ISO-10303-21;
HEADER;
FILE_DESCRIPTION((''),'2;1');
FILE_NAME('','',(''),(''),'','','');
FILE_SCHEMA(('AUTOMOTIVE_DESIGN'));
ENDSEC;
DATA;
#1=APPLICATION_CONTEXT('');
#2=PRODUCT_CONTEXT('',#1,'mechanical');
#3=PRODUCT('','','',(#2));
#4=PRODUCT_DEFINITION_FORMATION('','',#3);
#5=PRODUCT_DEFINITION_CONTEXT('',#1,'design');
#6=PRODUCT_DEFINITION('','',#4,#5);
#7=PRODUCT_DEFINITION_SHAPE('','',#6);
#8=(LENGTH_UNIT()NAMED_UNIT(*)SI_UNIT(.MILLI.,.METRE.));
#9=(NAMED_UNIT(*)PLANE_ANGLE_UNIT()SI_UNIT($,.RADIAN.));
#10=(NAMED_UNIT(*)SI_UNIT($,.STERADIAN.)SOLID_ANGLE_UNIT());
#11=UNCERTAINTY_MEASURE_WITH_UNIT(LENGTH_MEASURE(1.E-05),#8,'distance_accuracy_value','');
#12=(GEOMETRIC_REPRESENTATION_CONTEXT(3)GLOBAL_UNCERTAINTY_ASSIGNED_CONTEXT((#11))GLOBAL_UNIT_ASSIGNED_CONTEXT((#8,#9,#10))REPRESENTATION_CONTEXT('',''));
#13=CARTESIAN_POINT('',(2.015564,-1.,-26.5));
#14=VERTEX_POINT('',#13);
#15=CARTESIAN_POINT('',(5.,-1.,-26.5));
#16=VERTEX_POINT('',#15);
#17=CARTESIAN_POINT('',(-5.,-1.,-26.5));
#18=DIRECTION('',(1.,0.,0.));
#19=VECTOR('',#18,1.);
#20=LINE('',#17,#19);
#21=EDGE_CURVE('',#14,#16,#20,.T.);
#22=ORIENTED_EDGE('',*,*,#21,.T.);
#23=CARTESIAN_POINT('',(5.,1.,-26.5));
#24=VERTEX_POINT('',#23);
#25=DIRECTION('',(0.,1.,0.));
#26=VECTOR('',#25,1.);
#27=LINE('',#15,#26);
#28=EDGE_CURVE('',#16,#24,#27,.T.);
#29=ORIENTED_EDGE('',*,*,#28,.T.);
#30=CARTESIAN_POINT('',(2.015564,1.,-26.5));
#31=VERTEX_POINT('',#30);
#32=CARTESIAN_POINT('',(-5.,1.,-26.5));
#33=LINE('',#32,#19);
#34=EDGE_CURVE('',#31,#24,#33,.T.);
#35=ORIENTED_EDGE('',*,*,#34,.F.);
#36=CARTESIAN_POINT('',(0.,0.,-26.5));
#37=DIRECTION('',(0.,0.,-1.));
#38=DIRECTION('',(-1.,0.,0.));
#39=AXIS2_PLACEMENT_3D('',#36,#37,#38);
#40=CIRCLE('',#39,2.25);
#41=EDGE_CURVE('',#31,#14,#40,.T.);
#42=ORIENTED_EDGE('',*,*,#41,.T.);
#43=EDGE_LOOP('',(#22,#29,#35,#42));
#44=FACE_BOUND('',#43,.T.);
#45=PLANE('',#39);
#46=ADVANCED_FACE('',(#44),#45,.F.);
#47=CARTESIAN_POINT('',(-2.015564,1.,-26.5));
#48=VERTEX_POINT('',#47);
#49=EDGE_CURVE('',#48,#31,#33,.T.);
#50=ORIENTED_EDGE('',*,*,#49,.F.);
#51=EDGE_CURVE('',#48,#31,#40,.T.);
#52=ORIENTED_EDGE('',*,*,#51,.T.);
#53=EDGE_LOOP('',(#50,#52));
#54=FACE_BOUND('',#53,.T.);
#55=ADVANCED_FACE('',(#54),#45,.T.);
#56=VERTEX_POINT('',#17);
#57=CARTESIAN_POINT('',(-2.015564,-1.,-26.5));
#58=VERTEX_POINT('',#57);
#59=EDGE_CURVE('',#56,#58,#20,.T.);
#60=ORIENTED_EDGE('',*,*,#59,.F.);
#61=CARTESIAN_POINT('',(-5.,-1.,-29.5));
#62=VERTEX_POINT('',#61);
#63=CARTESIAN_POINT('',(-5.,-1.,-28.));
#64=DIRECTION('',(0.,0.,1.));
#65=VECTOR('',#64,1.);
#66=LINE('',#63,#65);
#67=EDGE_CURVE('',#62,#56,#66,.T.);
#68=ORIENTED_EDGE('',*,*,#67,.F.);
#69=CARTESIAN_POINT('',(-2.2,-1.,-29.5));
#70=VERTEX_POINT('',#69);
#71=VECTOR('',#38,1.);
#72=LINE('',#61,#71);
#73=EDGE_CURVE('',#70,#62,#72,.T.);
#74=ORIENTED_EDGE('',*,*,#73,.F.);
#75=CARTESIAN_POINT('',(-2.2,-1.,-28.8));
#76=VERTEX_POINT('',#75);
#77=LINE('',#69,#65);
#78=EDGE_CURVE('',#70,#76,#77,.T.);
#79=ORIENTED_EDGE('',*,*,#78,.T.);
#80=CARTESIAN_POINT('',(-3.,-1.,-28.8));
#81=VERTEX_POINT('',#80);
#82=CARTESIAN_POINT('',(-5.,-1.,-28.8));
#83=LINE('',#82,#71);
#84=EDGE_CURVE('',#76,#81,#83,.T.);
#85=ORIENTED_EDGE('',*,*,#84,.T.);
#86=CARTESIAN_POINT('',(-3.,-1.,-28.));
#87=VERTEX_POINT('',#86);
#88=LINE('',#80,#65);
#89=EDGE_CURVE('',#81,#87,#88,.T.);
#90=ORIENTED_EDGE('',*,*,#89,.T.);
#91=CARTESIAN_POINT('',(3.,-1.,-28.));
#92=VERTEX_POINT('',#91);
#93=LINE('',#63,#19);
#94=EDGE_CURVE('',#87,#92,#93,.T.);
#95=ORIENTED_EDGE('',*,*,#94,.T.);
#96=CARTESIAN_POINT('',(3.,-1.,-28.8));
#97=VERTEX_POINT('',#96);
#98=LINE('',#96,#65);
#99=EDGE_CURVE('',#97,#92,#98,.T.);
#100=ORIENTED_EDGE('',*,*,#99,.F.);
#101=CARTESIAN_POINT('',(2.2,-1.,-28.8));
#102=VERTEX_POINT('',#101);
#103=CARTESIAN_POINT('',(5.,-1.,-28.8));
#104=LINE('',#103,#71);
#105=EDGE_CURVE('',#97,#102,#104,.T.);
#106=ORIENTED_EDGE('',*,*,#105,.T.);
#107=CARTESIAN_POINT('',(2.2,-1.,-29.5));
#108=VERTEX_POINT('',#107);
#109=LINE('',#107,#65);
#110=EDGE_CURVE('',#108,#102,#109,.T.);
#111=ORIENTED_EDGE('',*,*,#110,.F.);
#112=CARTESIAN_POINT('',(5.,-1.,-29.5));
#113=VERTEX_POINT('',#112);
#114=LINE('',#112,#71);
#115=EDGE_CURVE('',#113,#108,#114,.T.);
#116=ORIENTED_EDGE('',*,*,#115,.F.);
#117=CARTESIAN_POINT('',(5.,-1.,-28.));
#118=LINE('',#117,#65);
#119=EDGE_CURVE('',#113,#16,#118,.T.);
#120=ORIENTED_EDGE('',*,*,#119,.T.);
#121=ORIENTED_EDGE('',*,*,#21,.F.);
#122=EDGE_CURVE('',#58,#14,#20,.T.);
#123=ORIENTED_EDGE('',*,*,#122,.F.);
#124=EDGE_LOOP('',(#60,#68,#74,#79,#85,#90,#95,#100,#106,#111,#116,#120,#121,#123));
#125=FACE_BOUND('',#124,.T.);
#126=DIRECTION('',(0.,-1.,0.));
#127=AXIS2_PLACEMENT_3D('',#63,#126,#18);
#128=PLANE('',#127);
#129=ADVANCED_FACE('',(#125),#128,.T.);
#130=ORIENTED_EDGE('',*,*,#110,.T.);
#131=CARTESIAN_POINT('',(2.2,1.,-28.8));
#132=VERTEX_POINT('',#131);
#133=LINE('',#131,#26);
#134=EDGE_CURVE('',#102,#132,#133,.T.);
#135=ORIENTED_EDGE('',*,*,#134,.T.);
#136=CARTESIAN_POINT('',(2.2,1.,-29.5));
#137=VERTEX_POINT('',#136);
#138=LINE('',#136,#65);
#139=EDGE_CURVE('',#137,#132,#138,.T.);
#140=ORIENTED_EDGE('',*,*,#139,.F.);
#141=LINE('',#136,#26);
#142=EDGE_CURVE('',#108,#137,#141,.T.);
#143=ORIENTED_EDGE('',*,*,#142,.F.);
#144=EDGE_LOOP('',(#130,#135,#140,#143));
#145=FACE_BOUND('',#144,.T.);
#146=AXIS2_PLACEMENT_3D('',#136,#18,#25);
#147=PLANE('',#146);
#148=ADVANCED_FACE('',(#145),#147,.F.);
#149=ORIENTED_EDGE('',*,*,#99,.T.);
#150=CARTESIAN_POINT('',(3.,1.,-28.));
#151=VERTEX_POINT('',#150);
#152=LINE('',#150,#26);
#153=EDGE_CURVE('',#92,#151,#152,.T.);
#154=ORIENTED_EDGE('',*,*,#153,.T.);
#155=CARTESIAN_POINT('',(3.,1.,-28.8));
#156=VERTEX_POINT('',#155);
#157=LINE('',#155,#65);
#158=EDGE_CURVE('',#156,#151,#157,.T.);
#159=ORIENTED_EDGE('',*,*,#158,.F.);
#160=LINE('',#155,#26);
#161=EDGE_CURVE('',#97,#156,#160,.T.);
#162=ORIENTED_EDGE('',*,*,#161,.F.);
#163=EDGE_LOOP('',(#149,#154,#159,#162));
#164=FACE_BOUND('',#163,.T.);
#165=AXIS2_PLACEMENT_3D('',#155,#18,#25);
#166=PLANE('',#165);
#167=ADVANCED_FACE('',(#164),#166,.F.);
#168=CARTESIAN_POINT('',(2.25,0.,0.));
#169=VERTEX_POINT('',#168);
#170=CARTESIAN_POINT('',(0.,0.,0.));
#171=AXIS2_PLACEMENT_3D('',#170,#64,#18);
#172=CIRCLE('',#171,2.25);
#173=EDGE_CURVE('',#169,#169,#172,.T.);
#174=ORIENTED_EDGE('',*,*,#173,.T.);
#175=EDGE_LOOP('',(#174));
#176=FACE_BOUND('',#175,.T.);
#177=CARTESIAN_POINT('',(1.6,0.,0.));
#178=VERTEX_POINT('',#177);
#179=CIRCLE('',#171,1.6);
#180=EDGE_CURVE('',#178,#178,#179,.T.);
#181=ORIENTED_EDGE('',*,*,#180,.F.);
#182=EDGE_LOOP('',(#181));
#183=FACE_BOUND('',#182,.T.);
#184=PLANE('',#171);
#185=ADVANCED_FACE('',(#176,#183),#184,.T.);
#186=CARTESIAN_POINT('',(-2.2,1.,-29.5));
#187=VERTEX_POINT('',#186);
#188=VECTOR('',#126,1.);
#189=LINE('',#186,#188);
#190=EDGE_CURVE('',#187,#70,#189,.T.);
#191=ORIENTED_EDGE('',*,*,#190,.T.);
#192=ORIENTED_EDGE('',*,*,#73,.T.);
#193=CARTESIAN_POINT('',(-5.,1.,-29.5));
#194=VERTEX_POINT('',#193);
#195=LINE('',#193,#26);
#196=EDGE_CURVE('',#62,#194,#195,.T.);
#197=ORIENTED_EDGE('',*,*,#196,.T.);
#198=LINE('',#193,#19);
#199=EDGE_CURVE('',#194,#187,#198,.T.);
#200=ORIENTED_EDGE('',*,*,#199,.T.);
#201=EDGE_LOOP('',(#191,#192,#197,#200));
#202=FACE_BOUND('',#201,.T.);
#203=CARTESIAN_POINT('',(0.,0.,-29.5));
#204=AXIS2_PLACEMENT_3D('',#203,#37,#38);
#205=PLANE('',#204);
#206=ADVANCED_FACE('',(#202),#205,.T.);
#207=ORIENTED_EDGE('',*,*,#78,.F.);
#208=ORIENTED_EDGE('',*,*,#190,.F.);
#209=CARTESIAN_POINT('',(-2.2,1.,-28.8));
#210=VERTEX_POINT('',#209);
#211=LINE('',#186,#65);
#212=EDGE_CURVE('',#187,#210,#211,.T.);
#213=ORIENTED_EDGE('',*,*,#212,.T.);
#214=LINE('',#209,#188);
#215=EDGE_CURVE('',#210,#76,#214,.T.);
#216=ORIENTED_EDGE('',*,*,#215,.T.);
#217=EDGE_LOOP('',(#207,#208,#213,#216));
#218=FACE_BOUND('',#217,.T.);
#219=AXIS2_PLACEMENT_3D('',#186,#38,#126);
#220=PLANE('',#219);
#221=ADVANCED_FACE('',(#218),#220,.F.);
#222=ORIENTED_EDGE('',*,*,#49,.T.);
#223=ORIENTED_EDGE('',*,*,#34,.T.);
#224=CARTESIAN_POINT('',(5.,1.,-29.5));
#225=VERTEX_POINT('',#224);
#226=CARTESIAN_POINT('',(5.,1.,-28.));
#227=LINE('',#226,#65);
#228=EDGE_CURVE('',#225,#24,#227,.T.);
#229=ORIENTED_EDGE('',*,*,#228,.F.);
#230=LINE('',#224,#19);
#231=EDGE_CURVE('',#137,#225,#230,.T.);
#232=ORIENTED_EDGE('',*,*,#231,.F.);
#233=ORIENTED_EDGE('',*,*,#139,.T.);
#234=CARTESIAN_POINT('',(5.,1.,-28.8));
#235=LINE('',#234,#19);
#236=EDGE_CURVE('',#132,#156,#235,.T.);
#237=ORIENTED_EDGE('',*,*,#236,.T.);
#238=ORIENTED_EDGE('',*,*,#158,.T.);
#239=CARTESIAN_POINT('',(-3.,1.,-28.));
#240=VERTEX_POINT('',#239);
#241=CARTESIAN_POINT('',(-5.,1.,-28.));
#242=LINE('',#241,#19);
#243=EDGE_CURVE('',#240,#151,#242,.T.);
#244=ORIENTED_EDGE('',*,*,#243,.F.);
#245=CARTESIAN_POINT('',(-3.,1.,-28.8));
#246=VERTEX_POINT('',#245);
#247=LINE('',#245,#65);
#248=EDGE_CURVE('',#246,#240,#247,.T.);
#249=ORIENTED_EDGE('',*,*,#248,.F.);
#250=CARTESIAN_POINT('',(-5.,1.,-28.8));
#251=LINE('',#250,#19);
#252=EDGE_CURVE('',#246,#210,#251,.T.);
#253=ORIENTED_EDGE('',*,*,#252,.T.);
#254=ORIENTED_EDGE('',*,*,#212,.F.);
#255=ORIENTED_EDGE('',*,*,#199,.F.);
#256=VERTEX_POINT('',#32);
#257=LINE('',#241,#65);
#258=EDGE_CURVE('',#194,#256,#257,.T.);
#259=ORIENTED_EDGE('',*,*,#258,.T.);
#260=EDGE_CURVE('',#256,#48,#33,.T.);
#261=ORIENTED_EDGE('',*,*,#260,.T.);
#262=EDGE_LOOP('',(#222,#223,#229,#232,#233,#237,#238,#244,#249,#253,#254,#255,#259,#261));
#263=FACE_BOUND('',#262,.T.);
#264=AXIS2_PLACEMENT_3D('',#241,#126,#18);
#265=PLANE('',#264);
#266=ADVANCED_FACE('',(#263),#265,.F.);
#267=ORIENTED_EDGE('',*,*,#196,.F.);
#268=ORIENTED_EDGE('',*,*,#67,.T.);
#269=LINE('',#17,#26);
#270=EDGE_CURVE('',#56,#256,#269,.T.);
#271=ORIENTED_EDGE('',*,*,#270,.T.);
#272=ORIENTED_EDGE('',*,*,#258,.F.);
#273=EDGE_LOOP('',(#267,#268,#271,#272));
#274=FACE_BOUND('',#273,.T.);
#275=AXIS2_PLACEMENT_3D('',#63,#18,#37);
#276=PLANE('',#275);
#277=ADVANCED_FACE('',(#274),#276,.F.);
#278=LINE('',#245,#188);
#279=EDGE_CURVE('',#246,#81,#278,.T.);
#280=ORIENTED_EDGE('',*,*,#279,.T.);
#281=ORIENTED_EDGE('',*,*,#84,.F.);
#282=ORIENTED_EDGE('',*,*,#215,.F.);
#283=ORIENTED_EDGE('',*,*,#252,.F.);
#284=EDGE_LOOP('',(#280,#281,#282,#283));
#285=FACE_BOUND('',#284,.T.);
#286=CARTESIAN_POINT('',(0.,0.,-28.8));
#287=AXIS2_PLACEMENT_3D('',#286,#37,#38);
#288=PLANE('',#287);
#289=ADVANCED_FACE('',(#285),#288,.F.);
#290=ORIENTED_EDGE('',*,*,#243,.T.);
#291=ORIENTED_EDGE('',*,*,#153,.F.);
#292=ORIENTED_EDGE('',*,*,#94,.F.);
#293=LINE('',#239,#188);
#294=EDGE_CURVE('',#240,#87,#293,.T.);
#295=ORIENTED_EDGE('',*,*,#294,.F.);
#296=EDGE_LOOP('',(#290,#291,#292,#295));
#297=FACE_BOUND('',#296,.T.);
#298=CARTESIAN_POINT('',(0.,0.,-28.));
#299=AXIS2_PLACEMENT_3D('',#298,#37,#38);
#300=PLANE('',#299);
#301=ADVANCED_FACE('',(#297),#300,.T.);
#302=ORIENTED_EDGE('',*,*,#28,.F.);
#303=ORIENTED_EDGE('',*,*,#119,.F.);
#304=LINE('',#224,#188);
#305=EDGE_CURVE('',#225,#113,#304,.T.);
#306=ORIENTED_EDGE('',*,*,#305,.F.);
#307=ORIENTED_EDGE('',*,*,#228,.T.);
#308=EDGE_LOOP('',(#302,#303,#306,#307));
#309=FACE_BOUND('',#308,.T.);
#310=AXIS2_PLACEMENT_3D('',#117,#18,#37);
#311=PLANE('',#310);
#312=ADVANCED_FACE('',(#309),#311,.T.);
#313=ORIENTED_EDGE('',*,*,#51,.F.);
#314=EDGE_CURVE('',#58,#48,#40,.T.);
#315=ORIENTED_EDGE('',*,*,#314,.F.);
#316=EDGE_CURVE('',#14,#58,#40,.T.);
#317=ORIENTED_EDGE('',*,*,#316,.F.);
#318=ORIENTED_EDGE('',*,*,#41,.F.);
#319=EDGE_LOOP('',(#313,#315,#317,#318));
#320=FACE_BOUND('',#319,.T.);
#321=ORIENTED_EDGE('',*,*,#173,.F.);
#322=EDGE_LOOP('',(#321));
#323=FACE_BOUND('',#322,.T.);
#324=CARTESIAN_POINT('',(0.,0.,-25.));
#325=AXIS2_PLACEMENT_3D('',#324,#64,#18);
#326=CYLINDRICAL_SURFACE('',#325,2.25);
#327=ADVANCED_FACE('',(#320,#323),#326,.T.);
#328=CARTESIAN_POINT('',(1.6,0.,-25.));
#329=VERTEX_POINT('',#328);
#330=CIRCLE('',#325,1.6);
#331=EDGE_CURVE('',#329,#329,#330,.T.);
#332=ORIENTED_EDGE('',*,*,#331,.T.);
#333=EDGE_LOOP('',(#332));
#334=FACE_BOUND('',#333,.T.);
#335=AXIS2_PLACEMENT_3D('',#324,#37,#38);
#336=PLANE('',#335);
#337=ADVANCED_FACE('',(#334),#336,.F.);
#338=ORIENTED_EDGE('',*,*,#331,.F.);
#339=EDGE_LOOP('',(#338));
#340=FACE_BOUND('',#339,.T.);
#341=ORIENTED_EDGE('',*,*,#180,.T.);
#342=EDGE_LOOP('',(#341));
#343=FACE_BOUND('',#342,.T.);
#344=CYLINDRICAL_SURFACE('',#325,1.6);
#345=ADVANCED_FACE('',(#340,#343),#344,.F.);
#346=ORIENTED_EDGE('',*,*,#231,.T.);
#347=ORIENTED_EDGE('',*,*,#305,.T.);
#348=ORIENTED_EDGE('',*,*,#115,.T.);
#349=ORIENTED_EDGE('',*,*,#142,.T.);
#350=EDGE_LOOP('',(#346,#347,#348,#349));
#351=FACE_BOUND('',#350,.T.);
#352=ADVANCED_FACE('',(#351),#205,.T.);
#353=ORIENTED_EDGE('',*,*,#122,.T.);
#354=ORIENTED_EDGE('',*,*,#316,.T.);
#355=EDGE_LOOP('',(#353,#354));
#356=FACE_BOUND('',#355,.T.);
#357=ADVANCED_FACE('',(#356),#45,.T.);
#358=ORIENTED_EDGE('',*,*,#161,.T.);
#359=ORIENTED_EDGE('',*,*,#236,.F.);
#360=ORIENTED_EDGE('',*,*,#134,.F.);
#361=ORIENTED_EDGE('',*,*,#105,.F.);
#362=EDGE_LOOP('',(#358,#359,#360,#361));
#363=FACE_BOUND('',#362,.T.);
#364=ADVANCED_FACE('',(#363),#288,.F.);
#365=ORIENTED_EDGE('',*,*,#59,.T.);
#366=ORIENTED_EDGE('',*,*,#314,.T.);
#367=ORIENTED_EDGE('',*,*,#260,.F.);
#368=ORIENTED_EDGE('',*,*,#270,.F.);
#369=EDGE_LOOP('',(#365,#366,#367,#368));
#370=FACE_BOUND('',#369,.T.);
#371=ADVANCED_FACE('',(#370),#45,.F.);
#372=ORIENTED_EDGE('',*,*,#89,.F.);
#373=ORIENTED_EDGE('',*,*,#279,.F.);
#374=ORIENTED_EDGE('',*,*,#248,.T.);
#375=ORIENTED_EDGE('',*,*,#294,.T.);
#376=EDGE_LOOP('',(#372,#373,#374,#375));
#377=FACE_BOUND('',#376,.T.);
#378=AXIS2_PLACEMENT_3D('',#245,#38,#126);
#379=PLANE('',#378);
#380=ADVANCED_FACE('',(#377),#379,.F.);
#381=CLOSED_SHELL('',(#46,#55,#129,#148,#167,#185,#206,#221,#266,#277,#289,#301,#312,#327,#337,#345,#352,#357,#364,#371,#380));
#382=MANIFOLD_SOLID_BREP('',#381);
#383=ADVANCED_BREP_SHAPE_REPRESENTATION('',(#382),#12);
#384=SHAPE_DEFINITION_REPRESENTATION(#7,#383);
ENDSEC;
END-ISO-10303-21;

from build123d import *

# Parameters (mm, degrees)
SKETCH1_R           = 2.25
SKETCH1_R_2         = 1.6
BOSS_EXTRUDE1_DEPTH = 25
SKETCH2_R           = 2.25
BOSS_EXTRUDE2_DEPTH = 1.5
SKETCH3_W           = 10
SKETCH3_H           = 2
BOSS_EXTRUDE3_DEPTH = 1.5
SKETCH4_W           = 2
SKETCH4_H           = 2
BOSS_EXTRUDE4_DEPTH = 0.8
SKETCH5_W           = 2.8
SKETCH5_H           = 2
BOSS_EXTRUDE5_DEPTH = 0.7


with BuildPart() as part:
    # Sketch1 → Boss-Extrude1 (new body)
    with BuildSketch(Plane.XY):
        Circle(SKETCH1_R)
        Circle(SKETCH1_R_2, mode=Mode.SUBTRACT)
    extrude(amount=-BOSS_EXTRUDE1_DEPTH)

    # Sketch2 → Boss-Extrude2 (add)
    with BuildSketch(Plane(origin=(0, 0, -25), x_dir=(-1, 0, 0), z_dir=(0, 0, -1))):
        with Locations(Location((0, 0, 0), (0, 0, 180))):
            Circle(SKETCH2_R)
    extrude(amount=BOSS_EXTRUDE2_DEPTH)

    # Sketch3 → Boss-Extrude3 (add)
    with BuildSketch(Plane(origin=(0, 0, -26.5), x_dir=(-1, 0, 0), z_dir=(0, 0, -1))):
        Rectangle(SKETCH3_W, SKETCH3_H)
    extrude(amount=BOSS_EXTRUDE3_DEPTH)

    # Sketch4 → Boss-Extrude4 (add)
    with BuildSketch(Plane(origin=(0, 0, -28), x_dir=(-1, 0, 0), z_dir=(0, 0, -1))):
        with Locations((-4, 0)):
            Rectangle(SKETCH4_W, SKETCH4_H)
        with Locations((4, 0)):
            Rectangle(SKETCH4_W, SKETCH4_H)
    extrude(amount=BOSS_EXTRUDE4_DEPTH)

    # Sketch5 → Boss-Extrude5 (add)
    with BuildSketch(Plane(origin=(0, 0, -28.8), x_dir=(-1, 0, 0), z_dir=(0, 0, -1))):
        with Locations((-3.6, 0)):
            Rectangle(SKETCH5_W, SKETCH5_H)
        with Locations((3.6, 0)):
            Rectangle(SKETCH5_W, SKETCH5_H)
    extrude(amount=BOSS_EXTRUDE5_DEPTH)


solid = part.part
